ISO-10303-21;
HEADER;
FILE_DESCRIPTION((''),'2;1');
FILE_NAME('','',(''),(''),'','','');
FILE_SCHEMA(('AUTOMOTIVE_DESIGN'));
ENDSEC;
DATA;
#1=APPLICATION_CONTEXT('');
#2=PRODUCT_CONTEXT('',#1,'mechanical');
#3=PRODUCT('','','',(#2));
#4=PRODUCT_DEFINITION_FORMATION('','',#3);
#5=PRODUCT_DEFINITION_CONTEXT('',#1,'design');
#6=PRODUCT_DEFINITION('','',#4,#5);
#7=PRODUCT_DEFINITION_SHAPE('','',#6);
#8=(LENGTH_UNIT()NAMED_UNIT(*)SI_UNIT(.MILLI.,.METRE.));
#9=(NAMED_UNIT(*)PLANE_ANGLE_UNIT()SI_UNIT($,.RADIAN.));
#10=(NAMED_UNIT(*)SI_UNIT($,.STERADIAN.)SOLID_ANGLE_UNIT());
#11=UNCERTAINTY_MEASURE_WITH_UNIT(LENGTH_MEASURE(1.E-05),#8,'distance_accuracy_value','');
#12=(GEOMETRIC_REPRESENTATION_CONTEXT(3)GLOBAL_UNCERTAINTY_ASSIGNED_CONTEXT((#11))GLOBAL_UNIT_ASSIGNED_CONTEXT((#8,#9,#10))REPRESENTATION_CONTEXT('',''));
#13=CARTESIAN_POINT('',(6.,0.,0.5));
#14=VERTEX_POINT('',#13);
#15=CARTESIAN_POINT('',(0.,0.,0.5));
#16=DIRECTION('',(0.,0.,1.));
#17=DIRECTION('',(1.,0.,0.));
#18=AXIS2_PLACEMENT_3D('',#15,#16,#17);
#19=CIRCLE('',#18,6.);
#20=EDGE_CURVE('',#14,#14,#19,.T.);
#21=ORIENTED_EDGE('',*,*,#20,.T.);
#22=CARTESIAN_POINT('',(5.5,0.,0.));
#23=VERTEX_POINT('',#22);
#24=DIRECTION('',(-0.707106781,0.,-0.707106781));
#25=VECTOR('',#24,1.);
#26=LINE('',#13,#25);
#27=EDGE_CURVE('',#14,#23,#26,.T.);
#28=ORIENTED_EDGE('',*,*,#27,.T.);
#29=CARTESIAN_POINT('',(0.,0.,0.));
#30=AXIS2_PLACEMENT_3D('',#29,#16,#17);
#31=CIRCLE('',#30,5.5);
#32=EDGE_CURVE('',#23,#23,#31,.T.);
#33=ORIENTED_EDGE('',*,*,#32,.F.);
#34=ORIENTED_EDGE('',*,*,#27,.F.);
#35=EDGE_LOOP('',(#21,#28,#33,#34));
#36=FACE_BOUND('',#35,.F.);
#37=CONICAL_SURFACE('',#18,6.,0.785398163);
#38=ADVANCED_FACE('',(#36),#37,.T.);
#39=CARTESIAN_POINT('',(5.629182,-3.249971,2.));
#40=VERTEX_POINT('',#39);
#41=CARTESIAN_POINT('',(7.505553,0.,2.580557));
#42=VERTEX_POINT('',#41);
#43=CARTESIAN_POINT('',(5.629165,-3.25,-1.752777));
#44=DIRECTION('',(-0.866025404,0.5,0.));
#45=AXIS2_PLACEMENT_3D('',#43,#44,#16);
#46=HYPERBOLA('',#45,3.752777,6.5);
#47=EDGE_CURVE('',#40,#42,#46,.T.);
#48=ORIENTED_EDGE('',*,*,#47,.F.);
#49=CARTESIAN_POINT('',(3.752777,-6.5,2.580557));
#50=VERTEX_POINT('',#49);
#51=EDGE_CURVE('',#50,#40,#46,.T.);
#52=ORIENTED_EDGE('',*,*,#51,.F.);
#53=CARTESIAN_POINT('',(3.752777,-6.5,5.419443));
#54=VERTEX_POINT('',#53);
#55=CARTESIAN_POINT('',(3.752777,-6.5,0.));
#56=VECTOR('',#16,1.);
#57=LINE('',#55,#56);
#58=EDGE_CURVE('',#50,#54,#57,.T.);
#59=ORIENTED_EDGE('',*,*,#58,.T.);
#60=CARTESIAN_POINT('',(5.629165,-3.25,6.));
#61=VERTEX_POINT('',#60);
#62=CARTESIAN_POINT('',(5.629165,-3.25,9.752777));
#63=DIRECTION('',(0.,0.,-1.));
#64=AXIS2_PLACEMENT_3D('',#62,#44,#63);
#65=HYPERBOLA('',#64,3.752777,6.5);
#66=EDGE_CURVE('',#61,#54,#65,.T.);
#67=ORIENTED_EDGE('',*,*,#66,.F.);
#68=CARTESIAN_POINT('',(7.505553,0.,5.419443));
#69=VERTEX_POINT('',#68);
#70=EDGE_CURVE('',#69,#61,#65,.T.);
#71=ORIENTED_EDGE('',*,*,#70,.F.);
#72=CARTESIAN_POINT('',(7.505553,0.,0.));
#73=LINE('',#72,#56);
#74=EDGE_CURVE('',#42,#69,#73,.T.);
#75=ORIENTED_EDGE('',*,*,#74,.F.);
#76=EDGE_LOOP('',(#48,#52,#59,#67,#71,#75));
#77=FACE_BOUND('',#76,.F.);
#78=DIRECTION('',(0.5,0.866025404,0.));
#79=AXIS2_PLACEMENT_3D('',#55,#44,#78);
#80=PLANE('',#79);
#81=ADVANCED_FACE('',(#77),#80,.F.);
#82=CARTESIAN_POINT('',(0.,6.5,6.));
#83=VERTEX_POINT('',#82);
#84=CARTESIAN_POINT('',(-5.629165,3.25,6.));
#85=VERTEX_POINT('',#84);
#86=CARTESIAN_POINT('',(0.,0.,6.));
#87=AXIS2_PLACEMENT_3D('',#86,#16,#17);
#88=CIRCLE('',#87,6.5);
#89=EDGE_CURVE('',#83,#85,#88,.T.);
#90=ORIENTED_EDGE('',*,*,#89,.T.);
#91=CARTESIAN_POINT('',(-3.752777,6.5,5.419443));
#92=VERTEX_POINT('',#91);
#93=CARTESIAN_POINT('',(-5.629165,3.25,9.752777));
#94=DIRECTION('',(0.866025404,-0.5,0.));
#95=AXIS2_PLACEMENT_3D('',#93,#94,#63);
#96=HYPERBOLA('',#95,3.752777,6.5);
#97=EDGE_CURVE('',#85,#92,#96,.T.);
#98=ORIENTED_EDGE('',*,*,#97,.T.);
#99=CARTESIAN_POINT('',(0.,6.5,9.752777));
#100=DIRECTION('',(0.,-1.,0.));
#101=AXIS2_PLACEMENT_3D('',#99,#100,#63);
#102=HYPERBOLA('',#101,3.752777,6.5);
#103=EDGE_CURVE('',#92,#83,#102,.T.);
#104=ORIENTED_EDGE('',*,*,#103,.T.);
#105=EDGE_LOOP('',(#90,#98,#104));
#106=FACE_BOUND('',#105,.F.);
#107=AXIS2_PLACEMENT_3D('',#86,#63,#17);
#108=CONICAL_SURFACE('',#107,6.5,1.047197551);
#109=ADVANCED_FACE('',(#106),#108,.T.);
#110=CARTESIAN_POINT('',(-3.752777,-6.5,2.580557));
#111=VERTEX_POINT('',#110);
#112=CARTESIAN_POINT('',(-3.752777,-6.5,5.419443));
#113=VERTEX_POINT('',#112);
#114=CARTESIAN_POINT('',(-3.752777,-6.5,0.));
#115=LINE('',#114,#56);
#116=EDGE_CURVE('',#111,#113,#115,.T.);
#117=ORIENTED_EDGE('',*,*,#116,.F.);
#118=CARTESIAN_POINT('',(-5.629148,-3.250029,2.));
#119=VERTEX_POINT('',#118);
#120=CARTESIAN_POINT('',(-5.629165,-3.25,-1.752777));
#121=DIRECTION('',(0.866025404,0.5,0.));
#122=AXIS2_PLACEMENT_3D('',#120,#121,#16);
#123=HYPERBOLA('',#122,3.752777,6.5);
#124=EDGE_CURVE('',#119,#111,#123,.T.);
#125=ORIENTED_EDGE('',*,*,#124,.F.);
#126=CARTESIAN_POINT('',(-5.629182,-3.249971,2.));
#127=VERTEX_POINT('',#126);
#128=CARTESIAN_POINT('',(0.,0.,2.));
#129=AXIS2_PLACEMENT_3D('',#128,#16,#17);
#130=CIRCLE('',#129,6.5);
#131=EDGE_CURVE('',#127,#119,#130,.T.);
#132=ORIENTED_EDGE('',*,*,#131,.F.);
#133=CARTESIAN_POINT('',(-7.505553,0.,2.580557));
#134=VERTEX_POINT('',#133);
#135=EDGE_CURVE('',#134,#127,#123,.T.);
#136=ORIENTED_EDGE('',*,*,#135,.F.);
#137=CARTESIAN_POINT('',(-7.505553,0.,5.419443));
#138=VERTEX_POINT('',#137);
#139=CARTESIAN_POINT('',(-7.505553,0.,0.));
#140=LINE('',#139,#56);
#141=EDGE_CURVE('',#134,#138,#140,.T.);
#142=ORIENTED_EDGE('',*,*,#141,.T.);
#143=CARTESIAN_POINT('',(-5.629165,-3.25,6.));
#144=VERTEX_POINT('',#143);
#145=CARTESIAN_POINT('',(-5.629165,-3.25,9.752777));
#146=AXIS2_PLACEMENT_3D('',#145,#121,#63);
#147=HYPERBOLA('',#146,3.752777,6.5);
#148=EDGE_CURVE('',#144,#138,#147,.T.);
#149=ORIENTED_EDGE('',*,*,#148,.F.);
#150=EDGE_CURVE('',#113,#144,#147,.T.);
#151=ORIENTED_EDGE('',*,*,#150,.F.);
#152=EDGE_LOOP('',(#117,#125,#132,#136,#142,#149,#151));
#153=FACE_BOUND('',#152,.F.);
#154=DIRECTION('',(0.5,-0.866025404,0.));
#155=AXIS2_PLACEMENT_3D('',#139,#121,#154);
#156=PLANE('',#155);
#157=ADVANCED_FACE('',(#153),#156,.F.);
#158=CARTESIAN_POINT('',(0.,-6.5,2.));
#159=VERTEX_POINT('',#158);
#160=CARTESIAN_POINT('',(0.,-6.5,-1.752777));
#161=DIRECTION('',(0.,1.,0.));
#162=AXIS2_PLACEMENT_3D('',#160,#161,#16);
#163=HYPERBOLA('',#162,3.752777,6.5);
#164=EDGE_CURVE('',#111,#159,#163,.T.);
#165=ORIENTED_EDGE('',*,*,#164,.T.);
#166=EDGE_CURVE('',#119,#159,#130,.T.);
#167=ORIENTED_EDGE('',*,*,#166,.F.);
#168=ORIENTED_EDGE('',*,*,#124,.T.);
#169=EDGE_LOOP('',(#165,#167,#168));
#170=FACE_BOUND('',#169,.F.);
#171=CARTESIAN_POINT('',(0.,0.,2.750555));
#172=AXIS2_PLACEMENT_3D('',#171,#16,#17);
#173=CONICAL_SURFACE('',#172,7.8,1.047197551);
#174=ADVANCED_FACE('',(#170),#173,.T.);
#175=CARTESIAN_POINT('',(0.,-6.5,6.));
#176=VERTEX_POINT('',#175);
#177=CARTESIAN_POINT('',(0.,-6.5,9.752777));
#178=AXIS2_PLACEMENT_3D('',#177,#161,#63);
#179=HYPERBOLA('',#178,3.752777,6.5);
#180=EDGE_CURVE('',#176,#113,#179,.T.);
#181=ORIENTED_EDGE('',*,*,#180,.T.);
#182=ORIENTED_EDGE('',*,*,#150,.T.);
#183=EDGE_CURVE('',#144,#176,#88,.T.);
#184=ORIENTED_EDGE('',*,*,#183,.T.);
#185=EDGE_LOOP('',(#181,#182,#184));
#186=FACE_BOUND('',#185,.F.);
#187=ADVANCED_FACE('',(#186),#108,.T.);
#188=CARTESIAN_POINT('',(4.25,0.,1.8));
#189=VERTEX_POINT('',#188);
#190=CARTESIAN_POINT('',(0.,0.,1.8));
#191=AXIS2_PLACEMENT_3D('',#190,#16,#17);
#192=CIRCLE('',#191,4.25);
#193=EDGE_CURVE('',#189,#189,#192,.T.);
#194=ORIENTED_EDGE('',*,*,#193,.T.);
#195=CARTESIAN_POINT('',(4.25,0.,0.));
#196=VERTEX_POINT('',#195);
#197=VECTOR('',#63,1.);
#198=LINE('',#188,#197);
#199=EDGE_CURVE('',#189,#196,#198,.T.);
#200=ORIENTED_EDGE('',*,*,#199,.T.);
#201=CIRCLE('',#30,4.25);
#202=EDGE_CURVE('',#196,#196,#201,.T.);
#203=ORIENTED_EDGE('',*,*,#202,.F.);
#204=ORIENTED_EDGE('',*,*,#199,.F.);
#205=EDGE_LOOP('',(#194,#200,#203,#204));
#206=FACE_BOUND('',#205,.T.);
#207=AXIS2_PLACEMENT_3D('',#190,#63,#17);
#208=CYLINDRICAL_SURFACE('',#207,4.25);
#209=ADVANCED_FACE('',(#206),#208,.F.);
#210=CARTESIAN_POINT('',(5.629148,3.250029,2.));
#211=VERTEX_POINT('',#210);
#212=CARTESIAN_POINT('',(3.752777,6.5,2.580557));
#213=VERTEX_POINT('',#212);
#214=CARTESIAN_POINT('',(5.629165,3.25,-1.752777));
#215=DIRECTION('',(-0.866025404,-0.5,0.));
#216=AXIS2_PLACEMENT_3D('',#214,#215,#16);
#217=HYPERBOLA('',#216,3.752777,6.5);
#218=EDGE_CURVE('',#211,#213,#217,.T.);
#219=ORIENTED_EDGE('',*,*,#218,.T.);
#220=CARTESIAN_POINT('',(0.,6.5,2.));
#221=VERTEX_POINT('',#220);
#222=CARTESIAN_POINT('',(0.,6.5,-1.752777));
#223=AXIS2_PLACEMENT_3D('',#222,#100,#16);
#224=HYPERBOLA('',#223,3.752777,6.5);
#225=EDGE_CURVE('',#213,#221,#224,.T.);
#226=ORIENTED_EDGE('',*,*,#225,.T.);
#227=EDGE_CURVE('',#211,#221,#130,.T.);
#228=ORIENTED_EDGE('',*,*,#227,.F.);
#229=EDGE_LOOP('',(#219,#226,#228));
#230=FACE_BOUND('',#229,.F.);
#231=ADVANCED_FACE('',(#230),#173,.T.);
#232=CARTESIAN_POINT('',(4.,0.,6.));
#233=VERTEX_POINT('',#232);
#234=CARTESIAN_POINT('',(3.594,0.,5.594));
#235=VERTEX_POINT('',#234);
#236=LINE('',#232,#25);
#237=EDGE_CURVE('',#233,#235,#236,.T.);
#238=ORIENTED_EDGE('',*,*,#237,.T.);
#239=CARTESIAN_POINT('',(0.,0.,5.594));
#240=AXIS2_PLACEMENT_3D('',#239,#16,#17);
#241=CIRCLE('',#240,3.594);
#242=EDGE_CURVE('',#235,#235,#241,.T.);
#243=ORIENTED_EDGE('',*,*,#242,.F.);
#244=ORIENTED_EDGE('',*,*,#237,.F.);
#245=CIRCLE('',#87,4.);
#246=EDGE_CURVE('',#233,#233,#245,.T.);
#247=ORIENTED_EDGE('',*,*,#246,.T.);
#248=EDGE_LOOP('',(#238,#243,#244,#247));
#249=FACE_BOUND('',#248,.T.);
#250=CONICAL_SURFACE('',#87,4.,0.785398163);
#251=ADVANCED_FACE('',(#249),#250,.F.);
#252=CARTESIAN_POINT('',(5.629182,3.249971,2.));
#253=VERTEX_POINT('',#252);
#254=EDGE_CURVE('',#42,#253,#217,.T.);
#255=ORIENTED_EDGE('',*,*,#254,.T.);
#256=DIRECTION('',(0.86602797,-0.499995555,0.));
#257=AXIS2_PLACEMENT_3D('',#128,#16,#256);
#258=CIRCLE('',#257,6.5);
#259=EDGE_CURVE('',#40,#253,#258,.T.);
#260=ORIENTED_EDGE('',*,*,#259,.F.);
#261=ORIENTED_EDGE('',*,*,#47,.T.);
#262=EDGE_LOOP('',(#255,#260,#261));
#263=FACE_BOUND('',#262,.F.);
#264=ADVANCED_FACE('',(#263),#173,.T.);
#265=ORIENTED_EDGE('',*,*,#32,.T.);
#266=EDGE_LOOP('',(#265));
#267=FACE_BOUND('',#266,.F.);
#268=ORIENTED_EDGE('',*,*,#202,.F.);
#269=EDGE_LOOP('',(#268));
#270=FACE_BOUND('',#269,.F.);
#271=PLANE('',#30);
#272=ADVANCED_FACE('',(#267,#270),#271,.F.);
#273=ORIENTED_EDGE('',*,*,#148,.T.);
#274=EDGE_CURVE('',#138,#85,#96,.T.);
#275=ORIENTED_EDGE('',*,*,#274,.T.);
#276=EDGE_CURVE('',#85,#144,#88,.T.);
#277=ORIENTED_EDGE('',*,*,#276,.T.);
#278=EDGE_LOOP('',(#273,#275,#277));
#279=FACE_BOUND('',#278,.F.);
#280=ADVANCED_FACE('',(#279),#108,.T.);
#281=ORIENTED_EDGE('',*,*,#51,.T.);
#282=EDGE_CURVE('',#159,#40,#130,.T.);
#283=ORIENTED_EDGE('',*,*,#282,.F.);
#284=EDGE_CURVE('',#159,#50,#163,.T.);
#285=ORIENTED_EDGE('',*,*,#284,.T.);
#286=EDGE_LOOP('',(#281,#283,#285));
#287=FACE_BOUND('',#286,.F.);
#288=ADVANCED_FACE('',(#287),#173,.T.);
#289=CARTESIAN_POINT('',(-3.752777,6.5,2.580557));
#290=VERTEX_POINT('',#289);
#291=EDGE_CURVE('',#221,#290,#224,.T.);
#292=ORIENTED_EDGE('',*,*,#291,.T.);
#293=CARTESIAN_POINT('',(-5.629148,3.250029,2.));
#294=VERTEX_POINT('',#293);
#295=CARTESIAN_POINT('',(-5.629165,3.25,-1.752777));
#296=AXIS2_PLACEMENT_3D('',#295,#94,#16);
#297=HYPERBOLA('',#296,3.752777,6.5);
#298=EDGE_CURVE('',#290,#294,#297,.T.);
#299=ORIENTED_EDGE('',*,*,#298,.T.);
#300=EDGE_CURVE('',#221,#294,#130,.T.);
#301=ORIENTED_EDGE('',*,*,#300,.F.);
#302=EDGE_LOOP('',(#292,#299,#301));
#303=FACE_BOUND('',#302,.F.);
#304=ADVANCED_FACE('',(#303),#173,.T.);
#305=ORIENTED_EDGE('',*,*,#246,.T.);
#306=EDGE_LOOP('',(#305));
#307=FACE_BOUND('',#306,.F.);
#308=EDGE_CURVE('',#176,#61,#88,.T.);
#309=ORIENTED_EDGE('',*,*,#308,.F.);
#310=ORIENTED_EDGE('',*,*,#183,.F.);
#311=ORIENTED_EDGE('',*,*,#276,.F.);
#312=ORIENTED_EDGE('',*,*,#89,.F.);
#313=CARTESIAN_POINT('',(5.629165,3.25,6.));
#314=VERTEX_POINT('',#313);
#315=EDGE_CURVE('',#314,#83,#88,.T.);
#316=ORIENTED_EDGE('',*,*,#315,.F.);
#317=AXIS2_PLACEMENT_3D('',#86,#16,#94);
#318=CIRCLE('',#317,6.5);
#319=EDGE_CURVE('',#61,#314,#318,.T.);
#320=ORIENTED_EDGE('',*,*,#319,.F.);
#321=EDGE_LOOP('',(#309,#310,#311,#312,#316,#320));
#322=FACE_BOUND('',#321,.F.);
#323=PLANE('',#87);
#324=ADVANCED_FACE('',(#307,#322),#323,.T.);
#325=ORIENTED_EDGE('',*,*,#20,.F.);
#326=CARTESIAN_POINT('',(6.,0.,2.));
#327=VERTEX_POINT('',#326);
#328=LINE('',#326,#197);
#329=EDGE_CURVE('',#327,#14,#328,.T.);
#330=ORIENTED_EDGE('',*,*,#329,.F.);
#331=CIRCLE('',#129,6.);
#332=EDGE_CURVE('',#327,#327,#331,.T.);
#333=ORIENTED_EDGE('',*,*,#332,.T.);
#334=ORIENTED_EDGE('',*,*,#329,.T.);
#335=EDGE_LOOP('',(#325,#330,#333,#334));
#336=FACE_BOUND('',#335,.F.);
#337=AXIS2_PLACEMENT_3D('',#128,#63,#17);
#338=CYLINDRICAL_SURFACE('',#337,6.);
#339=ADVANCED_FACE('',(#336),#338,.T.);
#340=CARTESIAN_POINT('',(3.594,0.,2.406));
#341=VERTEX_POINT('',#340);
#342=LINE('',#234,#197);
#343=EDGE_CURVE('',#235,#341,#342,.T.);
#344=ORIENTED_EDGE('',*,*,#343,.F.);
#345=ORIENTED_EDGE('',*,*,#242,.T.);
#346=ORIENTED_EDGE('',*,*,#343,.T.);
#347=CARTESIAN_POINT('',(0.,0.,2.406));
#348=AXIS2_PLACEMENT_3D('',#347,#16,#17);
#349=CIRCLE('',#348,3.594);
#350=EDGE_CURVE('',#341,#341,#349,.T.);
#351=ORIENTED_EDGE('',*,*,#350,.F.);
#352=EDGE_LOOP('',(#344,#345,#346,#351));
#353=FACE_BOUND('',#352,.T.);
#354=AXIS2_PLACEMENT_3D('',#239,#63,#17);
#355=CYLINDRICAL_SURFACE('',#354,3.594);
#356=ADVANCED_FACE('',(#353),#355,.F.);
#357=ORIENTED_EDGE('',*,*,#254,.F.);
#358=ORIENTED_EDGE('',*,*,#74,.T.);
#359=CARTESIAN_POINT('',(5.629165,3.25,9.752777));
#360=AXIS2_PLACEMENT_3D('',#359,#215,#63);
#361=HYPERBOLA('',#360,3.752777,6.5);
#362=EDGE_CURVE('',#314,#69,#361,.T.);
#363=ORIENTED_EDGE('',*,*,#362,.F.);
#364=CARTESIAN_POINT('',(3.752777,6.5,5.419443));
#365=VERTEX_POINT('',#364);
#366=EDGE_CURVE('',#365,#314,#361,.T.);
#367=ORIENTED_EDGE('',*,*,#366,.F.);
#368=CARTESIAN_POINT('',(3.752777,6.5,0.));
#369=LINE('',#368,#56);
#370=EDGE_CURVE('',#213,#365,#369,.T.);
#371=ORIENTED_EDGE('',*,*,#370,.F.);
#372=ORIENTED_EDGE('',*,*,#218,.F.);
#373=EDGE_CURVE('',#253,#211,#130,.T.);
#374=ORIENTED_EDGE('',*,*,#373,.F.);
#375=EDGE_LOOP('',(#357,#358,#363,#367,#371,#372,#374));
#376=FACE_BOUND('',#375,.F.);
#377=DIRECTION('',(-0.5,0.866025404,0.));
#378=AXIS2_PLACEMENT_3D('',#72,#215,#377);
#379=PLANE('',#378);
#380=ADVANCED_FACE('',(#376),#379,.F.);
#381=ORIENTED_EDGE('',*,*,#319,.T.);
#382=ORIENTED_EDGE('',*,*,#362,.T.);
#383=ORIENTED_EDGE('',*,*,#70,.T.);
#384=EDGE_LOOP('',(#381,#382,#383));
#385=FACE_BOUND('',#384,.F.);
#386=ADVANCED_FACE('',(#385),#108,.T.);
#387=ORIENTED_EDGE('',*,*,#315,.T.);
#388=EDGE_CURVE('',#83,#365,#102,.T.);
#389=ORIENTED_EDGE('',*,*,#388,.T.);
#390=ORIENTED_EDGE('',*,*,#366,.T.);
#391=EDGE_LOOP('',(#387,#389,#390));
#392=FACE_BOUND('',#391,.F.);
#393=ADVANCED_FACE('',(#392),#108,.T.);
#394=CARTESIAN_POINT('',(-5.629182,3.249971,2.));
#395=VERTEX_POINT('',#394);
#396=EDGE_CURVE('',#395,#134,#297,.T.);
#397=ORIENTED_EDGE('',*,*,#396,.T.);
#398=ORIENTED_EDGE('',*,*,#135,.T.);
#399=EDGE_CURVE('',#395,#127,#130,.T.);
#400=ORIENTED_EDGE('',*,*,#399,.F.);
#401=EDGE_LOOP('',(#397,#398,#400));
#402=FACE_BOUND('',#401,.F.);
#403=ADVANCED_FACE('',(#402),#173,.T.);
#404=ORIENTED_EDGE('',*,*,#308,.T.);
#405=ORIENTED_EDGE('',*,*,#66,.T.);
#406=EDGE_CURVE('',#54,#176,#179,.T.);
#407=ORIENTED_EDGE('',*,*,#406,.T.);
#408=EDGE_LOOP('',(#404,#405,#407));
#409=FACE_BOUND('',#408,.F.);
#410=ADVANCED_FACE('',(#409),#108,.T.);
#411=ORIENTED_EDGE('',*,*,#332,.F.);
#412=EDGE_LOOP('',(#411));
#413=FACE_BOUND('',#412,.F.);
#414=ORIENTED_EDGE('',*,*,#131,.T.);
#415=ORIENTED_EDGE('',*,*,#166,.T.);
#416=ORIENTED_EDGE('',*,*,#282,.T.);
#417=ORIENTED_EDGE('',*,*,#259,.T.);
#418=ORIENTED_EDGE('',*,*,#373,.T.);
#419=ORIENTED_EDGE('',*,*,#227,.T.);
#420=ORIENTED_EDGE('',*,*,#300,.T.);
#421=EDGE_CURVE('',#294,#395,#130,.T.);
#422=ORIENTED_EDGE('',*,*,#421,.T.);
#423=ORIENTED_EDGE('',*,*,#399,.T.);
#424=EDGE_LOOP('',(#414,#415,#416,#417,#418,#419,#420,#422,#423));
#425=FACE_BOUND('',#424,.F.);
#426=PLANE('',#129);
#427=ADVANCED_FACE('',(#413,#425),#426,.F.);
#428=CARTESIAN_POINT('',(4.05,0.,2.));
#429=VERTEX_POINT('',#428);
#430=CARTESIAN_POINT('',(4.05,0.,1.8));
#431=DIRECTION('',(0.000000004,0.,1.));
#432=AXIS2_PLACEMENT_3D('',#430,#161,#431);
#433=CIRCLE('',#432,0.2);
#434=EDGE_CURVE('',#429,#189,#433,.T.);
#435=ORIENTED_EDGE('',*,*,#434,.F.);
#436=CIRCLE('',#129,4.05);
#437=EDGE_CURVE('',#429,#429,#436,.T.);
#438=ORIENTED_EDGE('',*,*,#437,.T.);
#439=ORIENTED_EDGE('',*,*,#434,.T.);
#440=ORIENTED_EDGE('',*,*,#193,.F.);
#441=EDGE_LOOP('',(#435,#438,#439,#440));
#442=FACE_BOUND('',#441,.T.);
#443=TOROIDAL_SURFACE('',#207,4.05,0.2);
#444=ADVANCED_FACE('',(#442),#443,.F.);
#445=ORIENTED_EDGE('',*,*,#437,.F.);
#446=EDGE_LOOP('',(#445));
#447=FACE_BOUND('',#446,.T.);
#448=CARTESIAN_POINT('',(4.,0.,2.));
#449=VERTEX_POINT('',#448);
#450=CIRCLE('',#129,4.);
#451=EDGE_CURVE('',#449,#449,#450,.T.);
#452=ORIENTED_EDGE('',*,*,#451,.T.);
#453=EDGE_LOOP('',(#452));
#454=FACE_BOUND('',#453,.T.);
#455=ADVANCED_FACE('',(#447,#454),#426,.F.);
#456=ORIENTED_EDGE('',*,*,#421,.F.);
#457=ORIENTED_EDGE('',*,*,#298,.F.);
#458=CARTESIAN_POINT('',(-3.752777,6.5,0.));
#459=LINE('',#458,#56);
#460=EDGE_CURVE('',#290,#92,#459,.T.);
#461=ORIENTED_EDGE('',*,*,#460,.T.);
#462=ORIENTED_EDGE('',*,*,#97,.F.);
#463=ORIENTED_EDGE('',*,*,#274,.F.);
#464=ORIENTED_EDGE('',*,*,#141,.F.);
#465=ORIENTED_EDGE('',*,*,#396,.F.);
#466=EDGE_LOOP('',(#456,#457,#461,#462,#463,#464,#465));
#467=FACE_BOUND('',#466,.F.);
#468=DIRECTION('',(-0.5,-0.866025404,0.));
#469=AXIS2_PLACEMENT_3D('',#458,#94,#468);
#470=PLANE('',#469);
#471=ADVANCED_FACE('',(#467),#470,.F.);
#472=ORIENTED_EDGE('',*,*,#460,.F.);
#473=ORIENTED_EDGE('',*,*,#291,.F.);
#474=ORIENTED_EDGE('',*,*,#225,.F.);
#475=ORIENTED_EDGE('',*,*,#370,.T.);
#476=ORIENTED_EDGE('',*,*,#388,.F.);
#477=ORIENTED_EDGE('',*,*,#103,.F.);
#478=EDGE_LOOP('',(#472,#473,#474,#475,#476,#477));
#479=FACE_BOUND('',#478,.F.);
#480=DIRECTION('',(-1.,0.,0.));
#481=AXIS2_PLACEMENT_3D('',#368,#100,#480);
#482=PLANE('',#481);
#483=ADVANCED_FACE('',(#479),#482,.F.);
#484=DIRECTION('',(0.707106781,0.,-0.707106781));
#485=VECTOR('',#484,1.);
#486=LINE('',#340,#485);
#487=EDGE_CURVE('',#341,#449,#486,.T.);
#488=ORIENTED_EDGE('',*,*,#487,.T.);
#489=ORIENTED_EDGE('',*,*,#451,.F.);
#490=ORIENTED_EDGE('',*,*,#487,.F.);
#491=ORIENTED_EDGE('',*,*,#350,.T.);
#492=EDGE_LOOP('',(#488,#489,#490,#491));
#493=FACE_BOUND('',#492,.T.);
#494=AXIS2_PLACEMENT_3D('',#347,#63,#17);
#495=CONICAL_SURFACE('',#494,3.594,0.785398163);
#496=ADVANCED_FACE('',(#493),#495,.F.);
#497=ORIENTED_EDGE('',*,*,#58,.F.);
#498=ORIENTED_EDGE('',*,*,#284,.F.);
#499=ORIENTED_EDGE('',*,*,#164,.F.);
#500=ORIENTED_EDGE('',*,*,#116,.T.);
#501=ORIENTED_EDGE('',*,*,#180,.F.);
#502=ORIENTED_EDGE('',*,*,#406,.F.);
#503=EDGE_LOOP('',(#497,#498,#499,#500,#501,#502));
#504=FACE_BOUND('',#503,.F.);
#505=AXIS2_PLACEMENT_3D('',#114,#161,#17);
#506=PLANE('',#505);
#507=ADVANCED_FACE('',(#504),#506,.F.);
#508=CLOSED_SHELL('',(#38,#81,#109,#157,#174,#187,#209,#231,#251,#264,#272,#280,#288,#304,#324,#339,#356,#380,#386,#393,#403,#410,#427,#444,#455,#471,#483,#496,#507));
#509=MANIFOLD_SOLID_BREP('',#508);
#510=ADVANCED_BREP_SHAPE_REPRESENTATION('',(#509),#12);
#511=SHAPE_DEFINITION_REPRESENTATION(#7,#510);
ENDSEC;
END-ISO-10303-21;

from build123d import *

# Parameters (mm, degrees)
SKETCH3_W          = 26
SKETCH3_H          = 26
CUT_EXTRUDE1_DEPTH = 6


with BuildPart() as part:
    # Sketch1 → Revolve1 (revolve)
    with BuildSketch(Plane(origin=(0, 0, 0), x_dir=(0, 0, -1), z_dir=(1, 0, 0))):
        Polygon((-6, 0), (-6, 6.5), (-5.24944465, 7.8), (-2.75055535, 7.8), (-2, 6.5), (-2, 6), (-0.5, 6), (0, 5.5), (0, 0), align=None)
    revolve(axis=Axis((0, 0, 0), (0, 0, 1)))

    # Sketch2 → Cut-Revolve1 (revolve, cut)
    with BuildSketch(Plane(origin=(0, 0, 0), x_dir=(0, 0, -1), z_dir=(1, 0, 0))):
        with BuildLine():
            Line((-6, 0), (-6, 4))
            Line((-6, 4), (-5.594, 3.594))
            Line((-5.594, 3.594), (-2.406, 3.594))
            Line((-2.406, 3.594), (-2, 4))
            Line((-2, 4), (-2, 4.05))
            ThreePointArc((-2, 4.05), (-1.941421356, 4.191421356), (-1.8, 4.25))
            Line((-1.8, 4.25), (0, 4.25))
            Line((0, 4.25), (0, 0))
            Line((0, 0), (-6, 0))
        make_face()
    revolve(axis=Axis((0, 0, 0), (0, 0, 1)), mode=Mode.SUBTRACT)

    # Sketch3 → Cut-Extrude1 (cut)
    with BuildSketch(Plane.XY):
        Rectangle(SKETCH3_W, SKETCH3_H)
        Polygon((-7.505553499, 0), (-3.75277675, -6.5), (3.75277675, -6.5), (7.505553499, 0), (3.75277675, 6.5), (-3.75277675, 6.5), align=None, mode=Mode.SUBTRACT)
    extrude(amount=CUT_EXTRUDE1_DEPTH, mode=Mode.SUBTRACT)


solid = part.part
